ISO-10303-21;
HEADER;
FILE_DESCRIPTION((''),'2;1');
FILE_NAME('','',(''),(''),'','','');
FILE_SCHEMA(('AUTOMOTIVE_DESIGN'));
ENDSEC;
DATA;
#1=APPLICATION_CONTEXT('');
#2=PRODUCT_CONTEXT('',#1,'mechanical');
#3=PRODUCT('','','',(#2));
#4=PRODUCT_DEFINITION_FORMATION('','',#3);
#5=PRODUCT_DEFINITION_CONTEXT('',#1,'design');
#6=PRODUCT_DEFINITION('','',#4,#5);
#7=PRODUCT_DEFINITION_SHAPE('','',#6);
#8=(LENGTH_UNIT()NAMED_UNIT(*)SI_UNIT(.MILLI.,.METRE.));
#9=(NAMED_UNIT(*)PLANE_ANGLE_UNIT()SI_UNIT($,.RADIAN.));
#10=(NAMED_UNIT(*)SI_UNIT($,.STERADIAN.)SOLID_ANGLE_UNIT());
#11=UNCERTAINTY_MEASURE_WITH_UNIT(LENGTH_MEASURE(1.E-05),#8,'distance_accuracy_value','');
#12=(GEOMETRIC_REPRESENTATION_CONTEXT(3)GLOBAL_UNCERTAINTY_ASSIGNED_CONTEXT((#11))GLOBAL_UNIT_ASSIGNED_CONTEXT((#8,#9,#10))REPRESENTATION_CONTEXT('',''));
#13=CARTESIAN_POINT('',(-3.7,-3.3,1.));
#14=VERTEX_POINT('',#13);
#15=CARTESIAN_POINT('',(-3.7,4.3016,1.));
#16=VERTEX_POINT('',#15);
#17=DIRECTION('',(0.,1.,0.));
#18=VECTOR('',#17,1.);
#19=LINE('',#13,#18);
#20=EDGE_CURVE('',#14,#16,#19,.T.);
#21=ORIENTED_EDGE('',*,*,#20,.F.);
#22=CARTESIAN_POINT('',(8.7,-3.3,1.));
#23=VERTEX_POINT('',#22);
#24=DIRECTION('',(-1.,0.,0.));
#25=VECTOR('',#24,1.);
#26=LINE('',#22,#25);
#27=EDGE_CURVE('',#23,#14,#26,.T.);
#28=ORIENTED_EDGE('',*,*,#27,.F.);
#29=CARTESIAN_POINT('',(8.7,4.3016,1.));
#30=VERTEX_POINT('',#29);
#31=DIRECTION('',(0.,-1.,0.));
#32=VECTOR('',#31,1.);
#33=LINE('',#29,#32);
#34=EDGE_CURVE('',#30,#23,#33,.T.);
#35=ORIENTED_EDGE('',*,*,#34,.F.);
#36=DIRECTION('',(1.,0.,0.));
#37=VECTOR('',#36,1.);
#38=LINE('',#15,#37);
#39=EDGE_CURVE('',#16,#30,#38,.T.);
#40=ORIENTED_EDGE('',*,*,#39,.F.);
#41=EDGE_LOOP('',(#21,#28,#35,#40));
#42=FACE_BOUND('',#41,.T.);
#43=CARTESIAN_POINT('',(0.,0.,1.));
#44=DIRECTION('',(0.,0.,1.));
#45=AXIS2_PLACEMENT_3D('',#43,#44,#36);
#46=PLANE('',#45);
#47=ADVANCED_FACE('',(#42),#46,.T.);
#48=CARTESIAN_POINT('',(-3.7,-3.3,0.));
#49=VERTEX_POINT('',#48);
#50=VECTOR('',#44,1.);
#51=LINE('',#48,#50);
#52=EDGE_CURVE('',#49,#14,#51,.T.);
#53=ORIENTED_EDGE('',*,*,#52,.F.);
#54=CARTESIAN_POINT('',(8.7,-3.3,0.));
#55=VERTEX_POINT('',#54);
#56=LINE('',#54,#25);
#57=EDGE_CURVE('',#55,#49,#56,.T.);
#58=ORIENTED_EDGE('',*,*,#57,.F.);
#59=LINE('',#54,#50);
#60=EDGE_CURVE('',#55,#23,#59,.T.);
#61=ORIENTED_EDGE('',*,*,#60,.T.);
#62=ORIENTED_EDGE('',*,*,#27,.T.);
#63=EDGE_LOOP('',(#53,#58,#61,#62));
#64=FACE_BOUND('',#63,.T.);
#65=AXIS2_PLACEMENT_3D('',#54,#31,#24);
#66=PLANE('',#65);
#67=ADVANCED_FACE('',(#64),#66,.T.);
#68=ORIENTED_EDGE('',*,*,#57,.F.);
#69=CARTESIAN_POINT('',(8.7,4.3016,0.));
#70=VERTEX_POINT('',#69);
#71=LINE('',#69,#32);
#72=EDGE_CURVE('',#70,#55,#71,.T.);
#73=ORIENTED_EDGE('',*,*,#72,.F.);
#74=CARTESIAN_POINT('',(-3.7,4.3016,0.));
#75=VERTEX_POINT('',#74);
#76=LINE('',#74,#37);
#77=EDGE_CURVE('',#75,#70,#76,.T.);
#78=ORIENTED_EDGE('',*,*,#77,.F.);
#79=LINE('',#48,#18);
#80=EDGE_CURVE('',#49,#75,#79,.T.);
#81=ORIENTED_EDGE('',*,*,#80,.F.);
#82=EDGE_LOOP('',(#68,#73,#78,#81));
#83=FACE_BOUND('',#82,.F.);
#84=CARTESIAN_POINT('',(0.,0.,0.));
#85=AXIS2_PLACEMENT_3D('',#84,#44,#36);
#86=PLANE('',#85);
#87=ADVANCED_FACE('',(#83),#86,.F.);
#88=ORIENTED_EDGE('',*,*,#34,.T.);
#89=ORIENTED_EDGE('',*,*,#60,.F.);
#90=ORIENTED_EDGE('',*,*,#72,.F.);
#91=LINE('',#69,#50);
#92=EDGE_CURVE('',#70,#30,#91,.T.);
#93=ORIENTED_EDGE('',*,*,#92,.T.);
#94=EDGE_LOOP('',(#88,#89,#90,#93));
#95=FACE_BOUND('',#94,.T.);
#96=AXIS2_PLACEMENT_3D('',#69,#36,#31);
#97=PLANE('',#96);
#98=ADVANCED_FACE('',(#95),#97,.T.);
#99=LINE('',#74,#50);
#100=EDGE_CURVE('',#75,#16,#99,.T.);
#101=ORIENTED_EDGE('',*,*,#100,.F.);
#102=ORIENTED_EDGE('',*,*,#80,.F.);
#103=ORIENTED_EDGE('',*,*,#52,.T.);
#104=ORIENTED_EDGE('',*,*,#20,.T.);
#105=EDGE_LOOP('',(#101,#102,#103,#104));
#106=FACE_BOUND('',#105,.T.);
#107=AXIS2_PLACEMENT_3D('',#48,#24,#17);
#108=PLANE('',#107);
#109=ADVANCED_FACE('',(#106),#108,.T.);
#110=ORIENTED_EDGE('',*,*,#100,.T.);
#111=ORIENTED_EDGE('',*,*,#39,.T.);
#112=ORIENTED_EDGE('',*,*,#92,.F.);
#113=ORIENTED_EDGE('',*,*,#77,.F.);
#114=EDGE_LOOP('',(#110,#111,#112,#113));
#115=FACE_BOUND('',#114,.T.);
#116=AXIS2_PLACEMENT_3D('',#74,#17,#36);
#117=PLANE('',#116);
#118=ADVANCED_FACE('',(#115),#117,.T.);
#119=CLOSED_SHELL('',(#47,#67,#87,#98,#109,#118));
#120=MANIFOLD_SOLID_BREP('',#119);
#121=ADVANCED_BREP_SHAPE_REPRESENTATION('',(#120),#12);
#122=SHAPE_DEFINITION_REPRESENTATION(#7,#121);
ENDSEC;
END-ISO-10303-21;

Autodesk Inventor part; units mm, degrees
ref_plane "YZ Plane" through (0, 0, 0) normal (1, 0, 0) x (0, 1, 0)
ref_plane "XZ Plane" through (0, 0, 0) normal (0, 1, 0) x (-1, 0, 0)
ref_plane "XY Plane" through (0, 0, 0) normal (0, 0, 1) x (1, 0, 0)
sketch "SCREWTERMINAL-5MM-2, J2_SCREWTERMINAL-5MM-2_17" plane through (0, 0, 0) normal (0, 0, 1) x (1, 0, 0)
  line L0 (-3.7, 4.3016) -> (8.7, 4.3016)
  line L1 (8.7, 4.3016) -> (8.7, -3.3)
  line L2 (8.7, -3.3) -> (-3.7, -3.3)
  line L3 (-3.7, -3.3) -> (-3.7, 4.3016)
extrude "Выдавливание1" add sketch "SCREWTERMINAL-5MM-2, J2_SCREWTERMINAL-5MM-2_17" along normal blind 1
properties part number "J2_SCREWTERMINAL-5MM-2"
